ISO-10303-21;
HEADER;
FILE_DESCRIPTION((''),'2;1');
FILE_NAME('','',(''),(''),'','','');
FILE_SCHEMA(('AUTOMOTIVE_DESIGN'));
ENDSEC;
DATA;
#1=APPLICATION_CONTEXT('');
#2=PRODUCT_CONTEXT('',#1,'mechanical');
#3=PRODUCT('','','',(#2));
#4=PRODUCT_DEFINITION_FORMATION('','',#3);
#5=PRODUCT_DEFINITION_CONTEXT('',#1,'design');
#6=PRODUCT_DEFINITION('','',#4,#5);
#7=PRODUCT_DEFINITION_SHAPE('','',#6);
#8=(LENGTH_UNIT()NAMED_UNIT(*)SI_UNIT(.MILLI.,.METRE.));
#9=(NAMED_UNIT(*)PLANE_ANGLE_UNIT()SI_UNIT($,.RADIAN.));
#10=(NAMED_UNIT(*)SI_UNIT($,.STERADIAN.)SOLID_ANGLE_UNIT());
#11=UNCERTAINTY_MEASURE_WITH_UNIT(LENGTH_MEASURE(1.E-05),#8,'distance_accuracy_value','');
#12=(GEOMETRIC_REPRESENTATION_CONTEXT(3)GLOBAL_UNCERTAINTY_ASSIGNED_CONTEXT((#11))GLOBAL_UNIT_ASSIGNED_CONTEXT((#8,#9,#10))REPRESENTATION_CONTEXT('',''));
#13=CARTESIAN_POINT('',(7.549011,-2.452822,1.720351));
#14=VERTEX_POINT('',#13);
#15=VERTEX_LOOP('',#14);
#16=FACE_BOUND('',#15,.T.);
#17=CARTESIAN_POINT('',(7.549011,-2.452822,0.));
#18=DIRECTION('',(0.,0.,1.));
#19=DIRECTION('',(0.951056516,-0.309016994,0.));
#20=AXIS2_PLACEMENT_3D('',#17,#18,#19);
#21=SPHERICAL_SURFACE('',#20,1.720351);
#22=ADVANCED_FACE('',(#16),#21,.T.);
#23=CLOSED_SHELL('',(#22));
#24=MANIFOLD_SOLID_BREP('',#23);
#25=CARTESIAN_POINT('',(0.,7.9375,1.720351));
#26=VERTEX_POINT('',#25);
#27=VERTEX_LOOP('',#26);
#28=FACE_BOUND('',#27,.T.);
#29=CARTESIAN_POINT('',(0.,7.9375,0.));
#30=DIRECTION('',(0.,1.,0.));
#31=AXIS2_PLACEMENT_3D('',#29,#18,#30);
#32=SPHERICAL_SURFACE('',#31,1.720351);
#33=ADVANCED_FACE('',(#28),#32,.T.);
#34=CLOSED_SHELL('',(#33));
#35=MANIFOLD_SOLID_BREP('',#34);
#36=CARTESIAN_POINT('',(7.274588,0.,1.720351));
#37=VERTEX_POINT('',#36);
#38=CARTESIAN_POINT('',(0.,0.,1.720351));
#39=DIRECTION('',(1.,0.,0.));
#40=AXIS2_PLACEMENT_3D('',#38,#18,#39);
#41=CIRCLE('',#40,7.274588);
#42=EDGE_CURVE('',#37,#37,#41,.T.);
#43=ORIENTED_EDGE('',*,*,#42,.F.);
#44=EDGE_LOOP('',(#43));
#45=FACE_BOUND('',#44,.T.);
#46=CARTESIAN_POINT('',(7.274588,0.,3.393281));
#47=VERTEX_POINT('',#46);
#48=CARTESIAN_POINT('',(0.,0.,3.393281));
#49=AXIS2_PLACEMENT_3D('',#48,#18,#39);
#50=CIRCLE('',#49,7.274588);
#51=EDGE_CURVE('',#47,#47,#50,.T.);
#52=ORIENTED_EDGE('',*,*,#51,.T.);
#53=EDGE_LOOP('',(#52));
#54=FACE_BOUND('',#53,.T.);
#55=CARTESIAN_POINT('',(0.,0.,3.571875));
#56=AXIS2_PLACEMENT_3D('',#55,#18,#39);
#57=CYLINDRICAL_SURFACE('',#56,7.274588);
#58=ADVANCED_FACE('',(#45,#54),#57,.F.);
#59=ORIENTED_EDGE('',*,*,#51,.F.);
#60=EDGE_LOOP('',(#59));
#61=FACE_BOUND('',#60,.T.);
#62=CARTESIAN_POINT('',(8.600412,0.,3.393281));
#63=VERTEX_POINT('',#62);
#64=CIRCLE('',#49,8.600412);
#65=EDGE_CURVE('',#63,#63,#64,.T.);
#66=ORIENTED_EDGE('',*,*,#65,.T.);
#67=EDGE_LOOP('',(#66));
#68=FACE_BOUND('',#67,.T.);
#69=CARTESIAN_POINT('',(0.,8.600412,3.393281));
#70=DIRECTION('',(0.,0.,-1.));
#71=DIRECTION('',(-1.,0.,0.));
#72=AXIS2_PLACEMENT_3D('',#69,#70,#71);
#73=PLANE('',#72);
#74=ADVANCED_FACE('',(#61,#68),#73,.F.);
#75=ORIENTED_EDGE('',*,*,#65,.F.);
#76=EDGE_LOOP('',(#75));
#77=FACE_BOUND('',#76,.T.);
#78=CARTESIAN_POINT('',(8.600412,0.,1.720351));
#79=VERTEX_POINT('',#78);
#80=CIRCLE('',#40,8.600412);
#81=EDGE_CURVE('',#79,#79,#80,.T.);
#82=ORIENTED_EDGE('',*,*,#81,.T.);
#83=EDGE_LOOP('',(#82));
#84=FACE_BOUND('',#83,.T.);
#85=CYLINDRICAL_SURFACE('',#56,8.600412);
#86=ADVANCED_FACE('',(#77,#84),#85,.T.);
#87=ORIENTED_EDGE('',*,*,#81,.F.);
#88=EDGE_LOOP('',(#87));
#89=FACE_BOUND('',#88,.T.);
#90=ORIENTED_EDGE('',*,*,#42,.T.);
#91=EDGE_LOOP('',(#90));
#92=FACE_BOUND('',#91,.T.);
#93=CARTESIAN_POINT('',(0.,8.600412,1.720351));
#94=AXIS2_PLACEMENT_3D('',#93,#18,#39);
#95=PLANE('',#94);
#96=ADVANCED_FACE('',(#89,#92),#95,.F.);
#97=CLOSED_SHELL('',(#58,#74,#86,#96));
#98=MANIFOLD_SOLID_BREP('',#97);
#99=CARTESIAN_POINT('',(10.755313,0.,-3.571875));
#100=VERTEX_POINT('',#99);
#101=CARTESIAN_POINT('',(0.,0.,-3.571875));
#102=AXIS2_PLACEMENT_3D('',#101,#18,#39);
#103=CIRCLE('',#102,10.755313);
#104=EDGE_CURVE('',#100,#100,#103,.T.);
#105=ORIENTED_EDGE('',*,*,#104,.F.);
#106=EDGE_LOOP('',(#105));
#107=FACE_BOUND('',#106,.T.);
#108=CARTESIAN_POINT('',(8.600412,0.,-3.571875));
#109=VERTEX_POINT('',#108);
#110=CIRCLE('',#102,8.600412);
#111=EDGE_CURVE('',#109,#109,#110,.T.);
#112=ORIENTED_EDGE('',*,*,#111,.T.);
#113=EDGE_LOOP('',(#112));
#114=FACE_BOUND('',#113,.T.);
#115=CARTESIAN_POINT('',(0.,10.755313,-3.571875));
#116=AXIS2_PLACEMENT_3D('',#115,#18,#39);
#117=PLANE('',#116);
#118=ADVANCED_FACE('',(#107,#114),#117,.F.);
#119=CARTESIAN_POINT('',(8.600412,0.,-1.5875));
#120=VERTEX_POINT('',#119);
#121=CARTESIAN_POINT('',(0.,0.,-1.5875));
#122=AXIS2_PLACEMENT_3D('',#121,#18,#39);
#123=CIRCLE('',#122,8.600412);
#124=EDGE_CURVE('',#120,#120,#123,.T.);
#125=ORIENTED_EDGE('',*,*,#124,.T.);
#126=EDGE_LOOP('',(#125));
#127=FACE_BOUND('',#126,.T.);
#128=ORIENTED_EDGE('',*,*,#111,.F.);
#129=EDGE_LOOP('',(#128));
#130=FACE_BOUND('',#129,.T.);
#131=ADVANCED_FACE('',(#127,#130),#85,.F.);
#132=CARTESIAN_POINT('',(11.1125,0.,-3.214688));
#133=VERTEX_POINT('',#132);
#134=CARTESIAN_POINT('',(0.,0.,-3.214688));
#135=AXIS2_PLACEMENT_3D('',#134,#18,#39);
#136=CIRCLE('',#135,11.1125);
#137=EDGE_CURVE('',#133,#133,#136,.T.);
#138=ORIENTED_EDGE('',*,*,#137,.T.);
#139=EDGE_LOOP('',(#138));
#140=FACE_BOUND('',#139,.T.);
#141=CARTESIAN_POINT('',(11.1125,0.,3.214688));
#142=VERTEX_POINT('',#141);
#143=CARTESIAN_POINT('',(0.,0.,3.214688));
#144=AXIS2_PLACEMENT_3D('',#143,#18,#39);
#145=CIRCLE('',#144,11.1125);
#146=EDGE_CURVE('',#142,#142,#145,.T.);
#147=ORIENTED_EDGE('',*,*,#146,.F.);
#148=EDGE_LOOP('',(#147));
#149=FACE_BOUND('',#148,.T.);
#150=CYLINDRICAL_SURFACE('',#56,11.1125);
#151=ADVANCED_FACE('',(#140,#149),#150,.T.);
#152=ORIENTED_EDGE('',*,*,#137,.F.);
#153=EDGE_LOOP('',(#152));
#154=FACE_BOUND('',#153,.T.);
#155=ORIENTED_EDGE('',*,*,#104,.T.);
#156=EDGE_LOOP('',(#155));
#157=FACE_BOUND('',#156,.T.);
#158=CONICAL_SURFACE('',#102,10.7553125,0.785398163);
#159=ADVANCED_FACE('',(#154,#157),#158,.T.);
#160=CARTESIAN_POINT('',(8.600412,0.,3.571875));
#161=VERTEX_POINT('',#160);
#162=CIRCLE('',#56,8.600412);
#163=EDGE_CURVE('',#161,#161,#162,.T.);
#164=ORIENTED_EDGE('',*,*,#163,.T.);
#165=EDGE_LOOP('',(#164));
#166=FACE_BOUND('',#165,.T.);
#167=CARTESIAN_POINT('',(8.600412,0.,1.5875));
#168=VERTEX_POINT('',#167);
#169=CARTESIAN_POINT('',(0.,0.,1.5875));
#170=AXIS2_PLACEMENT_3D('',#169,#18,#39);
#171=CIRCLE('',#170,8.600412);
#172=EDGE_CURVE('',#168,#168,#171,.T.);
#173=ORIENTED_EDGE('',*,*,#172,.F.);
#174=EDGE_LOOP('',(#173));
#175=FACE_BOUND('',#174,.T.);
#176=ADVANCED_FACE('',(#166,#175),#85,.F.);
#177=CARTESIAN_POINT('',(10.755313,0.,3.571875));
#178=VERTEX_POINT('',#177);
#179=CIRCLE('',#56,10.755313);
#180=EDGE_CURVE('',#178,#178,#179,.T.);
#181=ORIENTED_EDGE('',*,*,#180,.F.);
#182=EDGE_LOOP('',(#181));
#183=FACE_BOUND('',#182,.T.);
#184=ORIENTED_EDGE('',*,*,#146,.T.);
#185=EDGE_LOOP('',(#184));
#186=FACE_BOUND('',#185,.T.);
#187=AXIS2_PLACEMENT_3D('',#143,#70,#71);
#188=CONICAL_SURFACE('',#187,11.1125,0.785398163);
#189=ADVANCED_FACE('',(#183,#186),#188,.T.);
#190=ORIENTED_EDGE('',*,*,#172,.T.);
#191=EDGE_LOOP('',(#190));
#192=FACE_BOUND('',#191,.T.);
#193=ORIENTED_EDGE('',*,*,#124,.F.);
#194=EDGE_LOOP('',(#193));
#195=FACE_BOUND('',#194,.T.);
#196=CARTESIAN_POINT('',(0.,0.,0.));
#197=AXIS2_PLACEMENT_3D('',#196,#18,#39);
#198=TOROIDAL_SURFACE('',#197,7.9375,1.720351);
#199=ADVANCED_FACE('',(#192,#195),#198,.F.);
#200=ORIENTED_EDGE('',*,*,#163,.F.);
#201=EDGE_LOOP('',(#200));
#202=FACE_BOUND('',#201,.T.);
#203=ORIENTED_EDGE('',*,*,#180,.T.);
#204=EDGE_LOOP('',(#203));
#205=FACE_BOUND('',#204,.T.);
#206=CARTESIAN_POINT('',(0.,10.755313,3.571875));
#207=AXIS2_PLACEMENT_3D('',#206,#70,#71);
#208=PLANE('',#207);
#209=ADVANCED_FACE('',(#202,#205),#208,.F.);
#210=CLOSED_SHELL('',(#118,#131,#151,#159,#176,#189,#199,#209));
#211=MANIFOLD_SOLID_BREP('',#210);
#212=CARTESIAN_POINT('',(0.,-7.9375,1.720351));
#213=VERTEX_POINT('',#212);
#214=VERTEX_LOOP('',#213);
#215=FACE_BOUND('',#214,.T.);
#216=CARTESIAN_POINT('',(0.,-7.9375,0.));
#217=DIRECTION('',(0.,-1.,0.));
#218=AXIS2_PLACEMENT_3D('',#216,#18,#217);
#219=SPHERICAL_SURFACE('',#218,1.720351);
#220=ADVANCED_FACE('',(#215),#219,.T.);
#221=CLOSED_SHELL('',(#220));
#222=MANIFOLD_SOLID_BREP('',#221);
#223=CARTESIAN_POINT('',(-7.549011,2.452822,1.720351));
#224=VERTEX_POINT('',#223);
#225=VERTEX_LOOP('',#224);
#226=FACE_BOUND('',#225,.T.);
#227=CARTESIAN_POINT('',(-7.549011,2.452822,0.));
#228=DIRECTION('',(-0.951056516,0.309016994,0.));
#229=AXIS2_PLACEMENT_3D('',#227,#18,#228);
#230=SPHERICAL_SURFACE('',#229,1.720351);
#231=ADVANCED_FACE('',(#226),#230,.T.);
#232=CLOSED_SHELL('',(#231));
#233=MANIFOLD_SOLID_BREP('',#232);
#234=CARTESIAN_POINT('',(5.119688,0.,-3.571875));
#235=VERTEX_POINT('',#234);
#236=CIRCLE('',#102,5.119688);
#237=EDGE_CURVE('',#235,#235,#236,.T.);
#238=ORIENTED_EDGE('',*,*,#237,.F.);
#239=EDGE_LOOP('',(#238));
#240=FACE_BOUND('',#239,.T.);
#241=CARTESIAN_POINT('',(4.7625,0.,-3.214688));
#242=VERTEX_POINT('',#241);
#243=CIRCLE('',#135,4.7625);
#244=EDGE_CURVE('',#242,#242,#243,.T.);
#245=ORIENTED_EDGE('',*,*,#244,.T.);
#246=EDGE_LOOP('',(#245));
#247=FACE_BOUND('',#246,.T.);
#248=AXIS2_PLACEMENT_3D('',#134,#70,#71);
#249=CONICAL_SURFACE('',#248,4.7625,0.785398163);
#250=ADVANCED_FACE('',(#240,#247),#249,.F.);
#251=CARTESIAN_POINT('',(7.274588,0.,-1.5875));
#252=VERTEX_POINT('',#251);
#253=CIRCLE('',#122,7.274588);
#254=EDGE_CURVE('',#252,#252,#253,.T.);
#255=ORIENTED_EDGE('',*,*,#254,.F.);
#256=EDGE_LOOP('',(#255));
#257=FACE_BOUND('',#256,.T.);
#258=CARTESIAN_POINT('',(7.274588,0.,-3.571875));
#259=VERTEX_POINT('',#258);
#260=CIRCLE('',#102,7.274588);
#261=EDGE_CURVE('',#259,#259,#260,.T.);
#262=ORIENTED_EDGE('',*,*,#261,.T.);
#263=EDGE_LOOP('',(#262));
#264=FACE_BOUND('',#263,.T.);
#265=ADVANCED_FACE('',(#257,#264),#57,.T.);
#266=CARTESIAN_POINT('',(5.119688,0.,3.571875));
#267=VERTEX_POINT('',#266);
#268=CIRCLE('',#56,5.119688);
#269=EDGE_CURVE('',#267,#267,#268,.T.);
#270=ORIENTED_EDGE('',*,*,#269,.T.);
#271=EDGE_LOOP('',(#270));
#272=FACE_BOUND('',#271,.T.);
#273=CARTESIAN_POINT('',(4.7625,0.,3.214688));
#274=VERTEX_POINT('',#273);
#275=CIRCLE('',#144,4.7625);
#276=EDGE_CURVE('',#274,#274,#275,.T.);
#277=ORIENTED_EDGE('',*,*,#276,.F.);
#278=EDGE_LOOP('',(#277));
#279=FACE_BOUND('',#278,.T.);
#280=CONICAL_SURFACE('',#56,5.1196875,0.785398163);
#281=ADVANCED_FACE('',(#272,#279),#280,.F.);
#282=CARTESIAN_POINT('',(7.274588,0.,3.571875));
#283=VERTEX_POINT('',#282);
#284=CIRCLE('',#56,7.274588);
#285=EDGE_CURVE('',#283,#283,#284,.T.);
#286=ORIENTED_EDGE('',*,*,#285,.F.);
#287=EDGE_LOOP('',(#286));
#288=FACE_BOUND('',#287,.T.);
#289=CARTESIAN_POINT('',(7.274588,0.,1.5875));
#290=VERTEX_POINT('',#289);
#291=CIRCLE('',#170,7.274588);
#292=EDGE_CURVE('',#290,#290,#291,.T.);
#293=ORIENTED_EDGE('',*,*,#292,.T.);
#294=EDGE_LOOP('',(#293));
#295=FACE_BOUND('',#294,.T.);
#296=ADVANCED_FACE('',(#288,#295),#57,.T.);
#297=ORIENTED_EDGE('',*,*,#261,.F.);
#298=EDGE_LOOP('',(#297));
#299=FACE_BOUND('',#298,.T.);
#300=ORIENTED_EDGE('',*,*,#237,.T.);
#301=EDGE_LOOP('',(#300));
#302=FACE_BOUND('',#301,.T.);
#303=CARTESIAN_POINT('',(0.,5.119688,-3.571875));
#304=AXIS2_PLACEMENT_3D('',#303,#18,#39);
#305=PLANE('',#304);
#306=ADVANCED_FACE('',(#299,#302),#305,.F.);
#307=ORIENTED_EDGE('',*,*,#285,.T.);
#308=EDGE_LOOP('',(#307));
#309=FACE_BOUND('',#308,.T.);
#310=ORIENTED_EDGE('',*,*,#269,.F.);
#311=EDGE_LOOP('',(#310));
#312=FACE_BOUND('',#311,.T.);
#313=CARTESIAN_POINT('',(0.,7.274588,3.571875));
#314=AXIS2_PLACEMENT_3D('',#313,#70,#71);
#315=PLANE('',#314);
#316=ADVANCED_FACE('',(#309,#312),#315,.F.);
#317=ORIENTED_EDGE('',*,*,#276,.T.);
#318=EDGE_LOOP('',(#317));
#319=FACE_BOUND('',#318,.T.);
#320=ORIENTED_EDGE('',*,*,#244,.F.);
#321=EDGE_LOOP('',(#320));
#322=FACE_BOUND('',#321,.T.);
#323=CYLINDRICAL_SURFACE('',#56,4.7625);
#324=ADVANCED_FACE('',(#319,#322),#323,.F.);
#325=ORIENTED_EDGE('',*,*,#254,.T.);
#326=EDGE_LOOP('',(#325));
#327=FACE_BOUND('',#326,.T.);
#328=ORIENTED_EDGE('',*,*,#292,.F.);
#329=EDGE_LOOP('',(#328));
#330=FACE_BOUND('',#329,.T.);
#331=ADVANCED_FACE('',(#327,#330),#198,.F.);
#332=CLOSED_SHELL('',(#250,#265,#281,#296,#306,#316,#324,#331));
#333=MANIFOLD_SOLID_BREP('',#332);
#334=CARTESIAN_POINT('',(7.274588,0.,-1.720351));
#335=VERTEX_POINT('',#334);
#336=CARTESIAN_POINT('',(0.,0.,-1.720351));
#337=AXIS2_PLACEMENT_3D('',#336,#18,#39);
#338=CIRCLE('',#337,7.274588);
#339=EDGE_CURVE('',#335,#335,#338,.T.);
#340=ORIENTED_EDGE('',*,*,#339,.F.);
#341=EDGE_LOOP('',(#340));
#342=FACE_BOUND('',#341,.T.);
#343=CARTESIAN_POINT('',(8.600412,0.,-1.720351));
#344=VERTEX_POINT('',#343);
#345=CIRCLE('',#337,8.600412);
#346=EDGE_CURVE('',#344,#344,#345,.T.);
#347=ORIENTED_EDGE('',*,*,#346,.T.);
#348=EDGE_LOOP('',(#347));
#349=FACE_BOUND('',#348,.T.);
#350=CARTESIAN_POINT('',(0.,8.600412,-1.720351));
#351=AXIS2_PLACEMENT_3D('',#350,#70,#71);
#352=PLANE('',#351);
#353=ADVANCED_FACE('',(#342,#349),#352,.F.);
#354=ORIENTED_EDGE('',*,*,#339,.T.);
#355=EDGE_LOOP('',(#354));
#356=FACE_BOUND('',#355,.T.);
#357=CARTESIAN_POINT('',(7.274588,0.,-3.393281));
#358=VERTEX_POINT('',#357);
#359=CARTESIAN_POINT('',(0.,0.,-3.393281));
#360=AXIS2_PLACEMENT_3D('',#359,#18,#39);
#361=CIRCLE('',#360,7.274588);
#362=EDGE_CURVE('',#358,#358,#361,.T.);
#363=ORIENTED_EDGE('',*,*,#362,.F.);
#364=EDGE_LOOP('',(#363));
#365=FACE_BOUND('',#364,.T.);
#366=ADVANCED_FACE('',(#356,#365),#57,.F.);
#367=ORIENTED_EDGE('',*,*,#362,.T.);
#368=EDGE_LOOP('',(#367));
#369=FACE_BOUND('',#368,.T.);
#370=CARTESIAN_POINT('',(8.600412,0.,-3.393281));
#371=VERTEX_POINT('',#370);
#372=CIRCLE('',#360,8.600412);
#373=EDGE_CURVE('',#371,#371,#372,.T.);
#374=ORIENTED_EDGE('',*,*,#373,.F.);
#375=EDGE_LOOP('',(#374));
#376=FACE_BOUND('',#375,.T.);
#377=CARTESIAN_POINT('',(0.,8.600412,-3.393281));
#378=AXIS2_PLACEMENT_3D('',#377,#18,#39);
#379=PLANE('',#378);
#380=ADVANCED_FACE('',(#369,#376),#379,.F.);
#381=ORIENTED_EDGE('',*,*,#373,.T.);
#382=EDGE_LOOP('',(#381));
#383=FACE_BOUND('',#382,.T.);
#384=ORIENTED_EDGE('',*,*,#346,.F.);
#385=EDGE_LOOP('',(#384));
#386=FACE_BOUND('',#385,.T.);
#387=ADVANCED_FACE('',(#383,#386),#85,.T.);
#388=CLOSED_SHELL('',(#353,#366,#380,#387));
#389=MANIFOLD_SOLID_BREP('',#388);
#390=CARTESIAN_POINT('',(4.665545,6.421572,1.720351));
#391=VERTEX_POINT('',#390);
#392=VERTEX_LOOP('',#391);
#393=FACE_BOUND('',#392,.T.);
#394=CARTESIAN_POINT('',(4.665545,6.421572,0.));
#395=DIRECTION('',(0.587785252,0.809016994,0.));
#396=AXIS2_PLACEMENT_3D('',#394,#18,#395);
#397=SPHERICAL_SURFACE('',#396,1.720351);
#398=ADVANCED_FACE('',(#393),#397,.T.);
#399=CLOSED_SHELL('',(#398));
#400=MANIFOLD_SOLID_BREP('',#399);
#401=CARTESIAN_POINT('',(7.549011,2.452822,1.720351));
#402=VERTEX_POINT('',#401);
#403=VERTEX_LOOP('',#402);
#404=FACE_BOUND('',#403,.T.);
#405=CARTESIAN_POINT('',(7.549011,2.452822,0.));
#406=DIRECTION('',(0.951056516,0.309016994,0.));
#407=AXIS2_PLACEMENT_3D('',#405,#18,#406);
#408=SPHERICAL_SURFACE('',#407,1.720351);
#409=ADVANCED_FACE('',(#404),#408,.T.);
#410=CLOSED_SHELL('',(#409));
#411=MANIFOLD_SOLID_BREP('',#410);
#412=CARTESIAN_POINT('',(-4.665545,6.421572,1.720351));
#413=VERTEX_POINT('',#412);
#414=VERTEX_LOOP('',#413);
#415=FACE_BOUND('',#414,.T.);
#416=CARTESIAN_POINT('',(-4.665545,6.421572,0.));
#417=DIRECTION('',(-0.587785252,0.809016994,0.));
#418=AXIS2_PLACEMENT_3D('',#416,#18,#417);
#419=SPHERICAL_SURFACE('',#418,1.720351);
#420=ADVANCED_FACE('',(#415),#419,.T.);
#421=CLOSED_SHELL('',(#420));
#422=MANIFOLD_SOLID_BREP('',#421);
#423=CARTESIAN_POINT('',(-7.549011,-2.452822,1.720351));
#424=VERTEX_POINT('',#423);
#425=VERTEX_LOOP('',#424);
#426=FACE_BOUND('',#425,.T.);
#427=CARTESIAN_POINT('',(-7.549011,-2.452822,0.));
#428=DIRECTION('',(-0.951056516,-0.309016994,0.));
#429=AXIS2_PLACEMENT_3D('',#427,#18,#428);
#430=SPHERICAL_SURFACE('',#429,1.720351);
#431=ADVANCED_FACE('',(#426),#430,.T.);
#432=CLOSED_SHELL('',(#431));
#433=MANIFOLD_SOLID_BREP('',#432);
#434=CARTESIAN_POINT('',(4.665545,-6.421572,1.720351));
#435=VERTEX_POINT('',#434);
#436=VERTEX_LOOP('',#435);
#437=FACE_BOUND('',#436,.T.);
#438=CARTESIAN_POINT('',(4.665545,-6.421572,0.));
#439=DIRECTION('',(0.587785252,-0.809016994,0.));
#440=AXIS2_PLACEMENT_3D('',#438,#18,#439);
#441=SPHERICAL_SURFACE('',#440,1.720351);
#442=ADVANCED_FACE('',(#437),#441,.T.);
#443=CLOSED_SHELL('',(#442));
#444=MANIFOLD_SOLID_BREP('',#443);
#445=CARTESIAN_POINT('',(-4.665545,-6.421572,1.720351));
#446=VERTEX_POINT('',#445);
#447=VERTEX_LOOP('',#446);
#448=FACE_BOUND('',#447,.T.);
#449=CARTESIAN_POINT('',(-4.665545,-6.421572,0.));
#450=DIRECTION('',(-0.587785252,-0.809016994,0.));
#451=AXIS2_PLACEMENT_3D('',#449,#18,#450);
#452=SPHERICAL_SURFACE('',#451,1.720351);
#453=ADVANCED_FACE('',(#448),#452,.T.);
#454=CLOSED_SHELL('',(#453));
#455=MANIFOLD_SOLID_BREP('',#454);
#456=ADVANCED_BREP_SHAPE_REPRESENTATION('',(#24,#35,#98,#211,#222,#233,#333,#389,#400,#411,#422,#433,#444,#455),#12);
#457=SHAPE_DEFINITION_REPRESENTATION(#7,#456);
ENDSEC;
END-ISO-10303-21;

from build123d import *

# Parameters (mm, degrees)
CIRPATTERN1_COUNT = 10
SKETCH5_W         = 1.672929924
SKETCH5_H         = 1.325824176


with BuildPart() as part:
    # Sketch1 → Revolve1 (revolve)
    with BuildSketch(Plane(origin=(0, 0, 0), x_dir=(0, 0, -1), z_dir=(1, 0, 0))):
        with BuildLine():
            Line((3.2146875, 11.1125), (-3.2146875, 11.1125))
            Line((-3.2146875, 11.1125), (-3.571875, 10.7553125))
            Line((-3.571875, 10.7553125), (-3.571875, 8.600412088))
            Line((-3.571875, 8.600412088), (-1.5875, 8.600412088))
            ThreePointArc((-1.5875, 8.600412088), (0, 9.657851326), (1.5875, 8.600412088))
            Line((1.5875, 8.600412088), (3.571875, 8.600412088))
            Line((3.571875, 8.600412088), (3.571875, 10.7553125))
            Line((3.571875, 10.7553125), (3.2146875, 11.1125))
        make_face()
    revolve(axis=Axis((0, 0, 3.571875), (0, 0, -1)))


with BuildPart() as body_2:
    # Sketch3 → Revolve3 (revolve)
    with BuildSketch(Plane(origin=(0, 0, 0), x_dir=(0, 0, -1), z_dir=(1, 0, 0))):
        with BuildLine():
            Line((-3.571875, 7.274587912), (-1.5875, 7.274587912))
            ThreePointArc((-1.5875, 7.274587912), (0, 6.217148674), (1.5875, 7.274587912))
            Line((1.5875, 7.274587912), (3.571875, 7.274587912))
            Line((3.571875, 7.274587912), (3.571875, 5.1196875))
            Line((3.571875, 5.1196875), (3.2146875, 4.7625))
            Line((3.2146875, 4.7625), (-3.2146875, 4.7625))
            Line((-3.2146875, 4.7625), (-3.571875, 5.1196875))
            Line((-3.571875, 5.1196875), (-3.571875, 7.274587912))
        make_face()
    revolve(axis=Axis((0, 0, 3.571875), (0, 0, -1)))


with BuildPart() as body_3:
    # Sketch4 → Revolve4 (revolve)
    with BuildSketch(Plane(origin=(0, 0, 0), x_dir=(0, 0, -1), z_dir=(1, 0, 0))):
        with BuildLine():
            Line((-1.720351326, 7.9375), (1.720351326, 7.9375))
            ThreePointArc((1.720351326, 7.9375), (0, 9.657851326), (-1.720351326, 7.9375))
        make_face()
    revolve(axis=Axis((0, 7.9375, 1.720351326), (0, 0, -1)))


with BuildPart() as cirpattern1_1:
    # CirPattern1: pattern copy
    add(body_3.part.rotate(Axis((0, 0, -3.571875), (0, 0, 1)), 1 * 360 / CIRPATTERN1_COUNT))


with BuildPart() as cirpattern1_2:
    # CirPattern1: pattern copy
    add(body_3.part.rotate(Axis((0, 0, -3.571875), (0, 0, 1)), 2 * 360 / CIRPATTERN1_COUNT))


with BuildPart() as cirpattern1_3:
    # CirPattern1: pattern copy
    add(body_3.part.rotate(Axis((0, 0, -3.571875), (0, 0, 1)), 3 * 360 / CIRPATTERN1_COUNT))


with BuildPart() as cirpattern1_4:
    # CirPattern1: pattern copy
    add(body_3.part.rotate(Axis((0, 0, -3.571875), (0, 0, 1)), 4 * 360 / CIRPATTERN1_COUNT))


with BuildPart() as cirpattern1_5:
    # CirPattern1: pattern copy
    add(body_3.part.rotate(Axis((0, 0, -3.571875), (0, 0, 1)), 5 * 360 / CIRPATTERN1_COUNT))


with BuildPart() as cirpattern1_6:
    # CirPattern1: pattern copy
    add(body_3.part.rotate(Axis((0, 0, -3.571875), (0, 0, 1)), 6 * 360 / CIRPATTERN1_COUNT))


with BuildPart() as cirpattern1_7:
    # CirPattern1: pattern copy
    add(body_3.part.rotate(Axis((0, 0, -3.571875), (0, 0, 1)), 7 * 360 / CIRPATTERN1_COUNT))


with BuildPart() as cirpattern1_8:
    # CirPattern1: pattern copy
    add(body_3.part.rotate(Axis((0, 0, -3.571875), (0, 0, 1)), 8 * 360 / CIRPATTERN1_COUNT))


with BuildPart() as cirpattern1_9:
    # CirPattern1: pattern copy
    add(body_3.part.rotate(Axis((0, 0, -3.571875), (0, 0, 1)), 9 * 360 / CIRPATTERN1_COUNT))


with BuildPart() as body_13:
    # Sketch5 → Revolve5 (revolve)
    with BuildSketch(Plane(origin=(0, 0, 0), x_dir=(0, 0, -1), z_dir=(1, 0, 0))):
        with Locations((-2.556816288, 7.9375)):
            Rectangle(SKETCH5_W, SKETCH5_H)
        with Locations((2.556816288, 7.9375)):
            Rectangle(SKETCH5_W, SKETCH5_H)
    revolve(axis=Axis((0, 0, 3.571875), (0, 0, -1)))


solid = Compound([part.part, body_2.part, body_3.part, cirpattern1_1.part, cirpattern1_2.part, cirpattern1_3.part, cirpattern1_4.part, cirpattern1_5.part, cirpattern1_6.part, cirpattern1_7.part, cirpattern1_8.part, cirpattern1_9.part, body_13.part])
